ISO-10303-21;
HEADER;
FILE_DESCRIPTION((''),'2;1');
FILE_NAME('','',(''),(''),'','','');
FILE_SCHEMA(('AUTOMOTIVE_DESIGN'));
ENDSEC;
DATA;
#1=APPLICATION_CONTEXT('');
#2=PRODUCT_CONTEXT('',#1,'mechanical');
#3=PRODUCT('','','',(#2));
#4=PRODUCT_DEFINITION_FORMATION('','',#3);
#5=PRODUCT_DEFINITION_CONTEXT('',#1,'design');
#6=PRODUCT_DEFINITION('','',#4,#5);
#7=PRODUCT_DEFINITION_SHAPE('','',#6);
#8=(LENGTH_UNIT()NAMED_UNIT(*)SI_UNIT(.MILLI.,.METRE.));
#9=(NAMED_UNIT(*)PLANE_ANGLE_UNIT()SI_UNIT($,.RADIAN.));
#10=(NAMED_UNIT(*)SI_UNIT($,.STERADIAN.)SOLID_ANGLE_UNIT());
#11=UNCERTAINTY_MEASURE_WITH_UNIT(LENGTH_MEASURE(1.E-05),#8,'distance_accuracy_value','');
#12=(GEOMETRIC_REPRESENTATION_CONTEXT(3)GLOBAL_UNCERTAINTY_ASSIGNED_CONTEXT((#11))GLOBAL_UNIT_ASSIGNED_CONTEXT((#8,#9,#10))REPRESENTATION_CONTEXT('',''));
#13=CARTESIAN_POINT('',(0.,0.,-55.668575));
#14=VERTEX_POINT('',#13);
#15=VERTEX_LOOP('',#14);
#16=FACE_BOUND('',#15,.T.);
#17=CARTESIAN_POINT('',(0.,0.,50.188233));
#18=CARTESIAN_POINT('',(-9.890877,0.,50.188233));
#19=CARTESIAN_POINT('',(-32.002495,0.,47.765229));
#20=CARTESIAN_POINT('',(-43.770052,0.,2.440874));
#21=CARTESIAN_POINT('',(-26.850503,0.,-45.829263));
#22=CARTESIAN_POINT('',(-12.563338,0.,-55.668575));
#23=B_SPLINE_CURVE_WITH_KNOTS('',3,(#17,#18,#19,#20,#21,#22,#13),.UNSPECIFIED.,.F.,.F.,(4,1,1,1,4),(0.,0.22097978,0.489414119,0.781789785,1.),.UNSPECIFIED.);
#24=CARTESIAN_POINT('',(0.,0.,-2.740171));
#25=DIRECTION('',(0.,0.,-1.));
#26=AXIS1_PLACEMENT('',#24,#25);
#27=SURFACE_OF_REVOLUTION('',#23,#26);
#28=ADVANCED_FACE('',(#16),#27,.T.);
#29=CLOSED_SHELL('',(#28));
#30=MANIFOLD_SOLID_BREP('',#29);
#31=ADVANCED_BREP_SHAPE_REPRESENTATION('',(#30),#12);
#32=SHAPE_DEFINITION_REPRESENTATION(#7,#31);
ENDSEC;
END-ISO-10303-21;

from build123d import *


with BuildPart() as f1:
    # F0 (on Front) → F1 (revolve)
    with BuildSketch(Plane.XZ):
        with BuildLine():
            Line((0, -55.6685753339), (0, 50.1882327968))
            add(Edge.make_bspline(
                [(0, 50.1882327968), (-9.8908773411, 50.1882327968), (-32.0024946873, 47.7652288878), (-43.7700515491, 2.440873945), (-26.8505030631, -45.8292632622), (-12.5633384606, -55.6685753339), (0, -55.6685753339)],
                knots=[0, 0, 0, 0, 0.2209797803, 0.4894141192, 0.7817897852, 1, 1, 1, 1], degree=3))
        make_face()
    revolve(axis=Axis((0, 0, -2.7401712685), (0, 0, -1)))


solid = f1.part
